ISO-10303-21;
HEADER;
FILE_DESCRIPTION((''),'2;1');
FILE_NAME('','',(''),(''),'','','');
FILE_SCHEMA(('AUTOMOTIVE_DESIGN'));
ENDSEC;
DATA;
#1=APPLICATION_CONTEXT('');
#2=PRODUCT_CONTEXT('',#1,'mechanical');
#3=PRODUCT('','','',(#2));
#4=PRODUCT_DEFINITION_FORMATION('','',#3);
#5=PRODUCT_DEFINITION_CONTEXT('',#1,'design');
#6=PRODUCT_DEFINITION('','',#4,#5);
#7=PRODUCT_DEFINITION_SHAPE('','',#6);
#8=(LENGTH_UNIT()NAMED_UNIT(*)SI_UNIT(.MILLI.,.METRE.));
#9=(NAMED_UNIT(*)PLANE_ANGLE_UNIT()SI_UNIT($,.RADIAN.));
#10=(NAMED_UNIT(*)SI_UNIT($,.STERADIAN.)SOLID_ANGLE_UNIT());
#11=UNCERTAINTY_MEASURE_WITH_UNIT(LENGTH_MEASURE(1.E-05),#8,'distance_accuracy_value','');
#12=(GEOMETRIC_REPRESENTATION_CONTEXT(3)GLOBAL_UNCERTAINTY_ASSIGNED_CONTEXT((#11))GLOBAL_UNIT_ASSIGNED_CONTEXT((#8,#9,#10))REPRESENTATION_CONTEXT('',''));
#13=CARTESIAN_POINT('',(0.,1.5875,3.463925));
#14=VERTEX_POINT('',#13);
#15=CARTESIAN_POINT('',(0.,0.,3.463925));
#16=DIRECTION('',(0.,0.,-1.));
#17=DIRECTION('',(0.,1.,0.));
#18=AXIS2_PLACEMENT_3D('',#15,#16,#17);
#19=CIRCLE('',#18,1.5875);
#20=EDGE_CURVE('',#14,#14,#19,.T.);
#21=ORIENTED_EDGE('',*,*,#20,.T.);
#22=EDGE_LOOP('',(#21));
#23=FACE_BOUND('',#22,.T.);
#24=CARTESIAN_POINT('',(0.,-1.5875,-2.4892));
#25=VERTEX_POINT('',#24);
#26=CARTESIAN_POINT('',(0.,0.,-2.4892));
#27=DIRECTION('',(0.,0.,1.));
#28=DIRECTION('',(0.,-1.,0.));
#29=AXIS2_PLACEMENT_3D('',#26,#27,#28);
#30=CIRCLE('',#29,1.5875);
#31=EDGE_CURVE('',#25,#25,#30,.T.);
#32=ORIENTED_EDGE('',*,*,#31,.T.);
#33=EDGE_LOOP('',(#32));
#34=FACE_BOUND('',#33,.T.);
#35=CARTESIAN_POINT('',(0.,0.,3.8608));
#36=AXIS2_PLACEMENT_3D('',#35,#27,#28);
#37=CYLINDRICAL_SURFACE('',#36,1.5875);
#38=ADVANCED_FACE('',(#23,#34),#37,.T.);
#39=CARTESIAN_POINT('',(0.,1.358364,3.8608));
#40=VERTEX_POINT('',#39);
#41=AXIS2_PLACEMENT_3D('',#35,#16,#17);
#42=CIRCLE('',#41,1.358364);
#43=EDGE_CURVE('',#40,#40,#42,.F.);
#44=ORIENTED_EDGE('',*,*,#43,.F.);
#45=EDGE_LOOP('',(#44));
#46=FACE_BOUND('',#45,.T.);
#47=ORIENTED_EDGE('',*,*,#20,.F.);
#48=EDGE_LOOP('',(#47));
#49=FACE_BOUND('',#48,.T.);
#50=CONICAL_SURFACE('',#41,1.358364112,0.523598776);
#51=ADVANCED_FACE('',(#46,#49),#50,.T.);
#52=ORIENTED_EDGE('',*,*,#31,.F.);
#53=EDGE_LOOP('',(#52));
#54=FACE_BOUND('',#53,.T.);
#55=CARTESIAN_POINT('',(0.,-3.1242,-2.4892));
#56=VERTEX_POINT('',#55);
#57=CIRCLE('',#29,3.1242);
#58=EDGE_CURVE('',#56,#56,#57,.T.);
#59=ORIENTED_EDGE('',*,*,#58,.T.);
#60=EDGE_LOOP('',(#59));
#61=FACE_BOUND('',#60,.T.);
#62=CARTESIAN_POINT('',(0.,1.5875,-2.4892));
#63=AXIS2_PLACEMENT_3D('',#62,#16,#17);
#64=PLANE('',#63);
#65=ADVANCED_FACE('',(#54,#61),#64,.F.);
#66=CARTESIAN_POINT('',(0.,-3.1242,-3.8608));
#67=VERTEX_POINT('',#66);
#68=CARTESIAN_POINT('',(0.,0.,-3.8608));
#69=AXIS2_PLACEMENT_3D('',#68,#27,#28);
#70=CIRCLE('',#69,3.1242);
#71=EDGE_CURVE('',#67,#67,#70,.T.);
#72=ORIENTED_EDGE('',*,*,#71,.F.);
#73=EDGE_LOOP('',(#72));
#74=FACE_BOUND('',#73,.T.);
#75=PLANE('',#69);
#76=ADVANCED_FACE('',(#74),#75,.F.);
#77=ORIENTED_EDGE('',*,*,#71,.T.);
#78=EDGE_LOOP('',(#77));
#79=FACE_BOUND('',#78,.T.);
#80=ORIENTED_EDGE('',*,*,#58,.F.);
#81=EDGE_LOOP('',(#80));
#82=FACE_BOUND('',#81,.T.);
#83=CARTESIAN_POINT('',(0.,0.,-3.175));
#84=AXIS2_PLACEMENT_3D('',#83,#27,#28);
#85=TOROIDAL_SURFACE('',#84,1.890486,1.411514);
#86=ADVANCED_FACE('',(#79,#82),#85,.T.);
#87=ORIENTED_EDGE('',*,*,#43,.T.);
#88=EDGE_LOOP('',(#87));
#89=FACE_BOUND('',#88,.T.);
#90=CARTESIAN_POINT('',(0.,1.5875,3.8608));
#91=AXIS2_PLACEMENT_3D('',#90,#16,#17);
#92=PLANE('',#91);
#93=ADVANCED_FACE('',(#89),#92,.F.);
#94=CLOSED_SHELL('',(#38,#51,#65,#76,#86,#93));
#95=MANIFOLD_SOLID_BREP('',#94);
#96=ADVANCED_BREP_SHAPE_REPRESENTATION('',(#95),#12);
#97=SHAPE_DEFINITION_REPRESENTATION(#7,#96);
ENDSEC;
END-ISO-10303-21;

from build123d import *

# Parameters (mm, degrees)
CHAMFER1_SIZE  = 0.396875
CHAMFER1_SIZE2 = 0.229135888


with BuildPart() as part:
    # Sketch2 → Revolve1 (revolve)
    with BuildSketch(Plane(origin=(0, 0, 0), x_dir=(0, 0, -1), z_dir=(1, 0, 0)), mode=Mode.PRIVATE) as revolve1_sk:
        with BuildLine():
            Line((2.4892, 1.5875), (-3.8608, 1.5875))
            Line((-3.8608, 1.5875), (-3.8608, 0))
            Line((-3.8608, 0), (3.8608, 0))
            Line((3.8608, 0), (3.8608, 3.1242))
            ThreePointArc((3.8608, 3.1242), (3.175, 3.302), (2.4892, 3.1242))
            Line((2.4892, 3.1242), (2.4892, 1.5875))
        make_face()
    revolve(revolve1_sk.sketch.rotate(Axis((0, 0, 3.8608), (0, 0, -1)), 180), axis=Axis((0, 0, 3.8608), (0, 0, -1)))

    # Chamfer1
    chamfer1_edges = [part.edges().sort_by_distance(p)[0] for p in [
        (0, 1.5875, 3.8608),
    ]]
    chamfer1_side = [part.faces().sort_by_distance(p)[0] for p in [
        (0, 1.5875, 0.6858),
    ]]
    chamfer(chamfer1_edges, length=CHAMFER1_SIZE, length2=CHAMFER1_SIZE2, reference=chamfer1_side[0])


solid = part.part
